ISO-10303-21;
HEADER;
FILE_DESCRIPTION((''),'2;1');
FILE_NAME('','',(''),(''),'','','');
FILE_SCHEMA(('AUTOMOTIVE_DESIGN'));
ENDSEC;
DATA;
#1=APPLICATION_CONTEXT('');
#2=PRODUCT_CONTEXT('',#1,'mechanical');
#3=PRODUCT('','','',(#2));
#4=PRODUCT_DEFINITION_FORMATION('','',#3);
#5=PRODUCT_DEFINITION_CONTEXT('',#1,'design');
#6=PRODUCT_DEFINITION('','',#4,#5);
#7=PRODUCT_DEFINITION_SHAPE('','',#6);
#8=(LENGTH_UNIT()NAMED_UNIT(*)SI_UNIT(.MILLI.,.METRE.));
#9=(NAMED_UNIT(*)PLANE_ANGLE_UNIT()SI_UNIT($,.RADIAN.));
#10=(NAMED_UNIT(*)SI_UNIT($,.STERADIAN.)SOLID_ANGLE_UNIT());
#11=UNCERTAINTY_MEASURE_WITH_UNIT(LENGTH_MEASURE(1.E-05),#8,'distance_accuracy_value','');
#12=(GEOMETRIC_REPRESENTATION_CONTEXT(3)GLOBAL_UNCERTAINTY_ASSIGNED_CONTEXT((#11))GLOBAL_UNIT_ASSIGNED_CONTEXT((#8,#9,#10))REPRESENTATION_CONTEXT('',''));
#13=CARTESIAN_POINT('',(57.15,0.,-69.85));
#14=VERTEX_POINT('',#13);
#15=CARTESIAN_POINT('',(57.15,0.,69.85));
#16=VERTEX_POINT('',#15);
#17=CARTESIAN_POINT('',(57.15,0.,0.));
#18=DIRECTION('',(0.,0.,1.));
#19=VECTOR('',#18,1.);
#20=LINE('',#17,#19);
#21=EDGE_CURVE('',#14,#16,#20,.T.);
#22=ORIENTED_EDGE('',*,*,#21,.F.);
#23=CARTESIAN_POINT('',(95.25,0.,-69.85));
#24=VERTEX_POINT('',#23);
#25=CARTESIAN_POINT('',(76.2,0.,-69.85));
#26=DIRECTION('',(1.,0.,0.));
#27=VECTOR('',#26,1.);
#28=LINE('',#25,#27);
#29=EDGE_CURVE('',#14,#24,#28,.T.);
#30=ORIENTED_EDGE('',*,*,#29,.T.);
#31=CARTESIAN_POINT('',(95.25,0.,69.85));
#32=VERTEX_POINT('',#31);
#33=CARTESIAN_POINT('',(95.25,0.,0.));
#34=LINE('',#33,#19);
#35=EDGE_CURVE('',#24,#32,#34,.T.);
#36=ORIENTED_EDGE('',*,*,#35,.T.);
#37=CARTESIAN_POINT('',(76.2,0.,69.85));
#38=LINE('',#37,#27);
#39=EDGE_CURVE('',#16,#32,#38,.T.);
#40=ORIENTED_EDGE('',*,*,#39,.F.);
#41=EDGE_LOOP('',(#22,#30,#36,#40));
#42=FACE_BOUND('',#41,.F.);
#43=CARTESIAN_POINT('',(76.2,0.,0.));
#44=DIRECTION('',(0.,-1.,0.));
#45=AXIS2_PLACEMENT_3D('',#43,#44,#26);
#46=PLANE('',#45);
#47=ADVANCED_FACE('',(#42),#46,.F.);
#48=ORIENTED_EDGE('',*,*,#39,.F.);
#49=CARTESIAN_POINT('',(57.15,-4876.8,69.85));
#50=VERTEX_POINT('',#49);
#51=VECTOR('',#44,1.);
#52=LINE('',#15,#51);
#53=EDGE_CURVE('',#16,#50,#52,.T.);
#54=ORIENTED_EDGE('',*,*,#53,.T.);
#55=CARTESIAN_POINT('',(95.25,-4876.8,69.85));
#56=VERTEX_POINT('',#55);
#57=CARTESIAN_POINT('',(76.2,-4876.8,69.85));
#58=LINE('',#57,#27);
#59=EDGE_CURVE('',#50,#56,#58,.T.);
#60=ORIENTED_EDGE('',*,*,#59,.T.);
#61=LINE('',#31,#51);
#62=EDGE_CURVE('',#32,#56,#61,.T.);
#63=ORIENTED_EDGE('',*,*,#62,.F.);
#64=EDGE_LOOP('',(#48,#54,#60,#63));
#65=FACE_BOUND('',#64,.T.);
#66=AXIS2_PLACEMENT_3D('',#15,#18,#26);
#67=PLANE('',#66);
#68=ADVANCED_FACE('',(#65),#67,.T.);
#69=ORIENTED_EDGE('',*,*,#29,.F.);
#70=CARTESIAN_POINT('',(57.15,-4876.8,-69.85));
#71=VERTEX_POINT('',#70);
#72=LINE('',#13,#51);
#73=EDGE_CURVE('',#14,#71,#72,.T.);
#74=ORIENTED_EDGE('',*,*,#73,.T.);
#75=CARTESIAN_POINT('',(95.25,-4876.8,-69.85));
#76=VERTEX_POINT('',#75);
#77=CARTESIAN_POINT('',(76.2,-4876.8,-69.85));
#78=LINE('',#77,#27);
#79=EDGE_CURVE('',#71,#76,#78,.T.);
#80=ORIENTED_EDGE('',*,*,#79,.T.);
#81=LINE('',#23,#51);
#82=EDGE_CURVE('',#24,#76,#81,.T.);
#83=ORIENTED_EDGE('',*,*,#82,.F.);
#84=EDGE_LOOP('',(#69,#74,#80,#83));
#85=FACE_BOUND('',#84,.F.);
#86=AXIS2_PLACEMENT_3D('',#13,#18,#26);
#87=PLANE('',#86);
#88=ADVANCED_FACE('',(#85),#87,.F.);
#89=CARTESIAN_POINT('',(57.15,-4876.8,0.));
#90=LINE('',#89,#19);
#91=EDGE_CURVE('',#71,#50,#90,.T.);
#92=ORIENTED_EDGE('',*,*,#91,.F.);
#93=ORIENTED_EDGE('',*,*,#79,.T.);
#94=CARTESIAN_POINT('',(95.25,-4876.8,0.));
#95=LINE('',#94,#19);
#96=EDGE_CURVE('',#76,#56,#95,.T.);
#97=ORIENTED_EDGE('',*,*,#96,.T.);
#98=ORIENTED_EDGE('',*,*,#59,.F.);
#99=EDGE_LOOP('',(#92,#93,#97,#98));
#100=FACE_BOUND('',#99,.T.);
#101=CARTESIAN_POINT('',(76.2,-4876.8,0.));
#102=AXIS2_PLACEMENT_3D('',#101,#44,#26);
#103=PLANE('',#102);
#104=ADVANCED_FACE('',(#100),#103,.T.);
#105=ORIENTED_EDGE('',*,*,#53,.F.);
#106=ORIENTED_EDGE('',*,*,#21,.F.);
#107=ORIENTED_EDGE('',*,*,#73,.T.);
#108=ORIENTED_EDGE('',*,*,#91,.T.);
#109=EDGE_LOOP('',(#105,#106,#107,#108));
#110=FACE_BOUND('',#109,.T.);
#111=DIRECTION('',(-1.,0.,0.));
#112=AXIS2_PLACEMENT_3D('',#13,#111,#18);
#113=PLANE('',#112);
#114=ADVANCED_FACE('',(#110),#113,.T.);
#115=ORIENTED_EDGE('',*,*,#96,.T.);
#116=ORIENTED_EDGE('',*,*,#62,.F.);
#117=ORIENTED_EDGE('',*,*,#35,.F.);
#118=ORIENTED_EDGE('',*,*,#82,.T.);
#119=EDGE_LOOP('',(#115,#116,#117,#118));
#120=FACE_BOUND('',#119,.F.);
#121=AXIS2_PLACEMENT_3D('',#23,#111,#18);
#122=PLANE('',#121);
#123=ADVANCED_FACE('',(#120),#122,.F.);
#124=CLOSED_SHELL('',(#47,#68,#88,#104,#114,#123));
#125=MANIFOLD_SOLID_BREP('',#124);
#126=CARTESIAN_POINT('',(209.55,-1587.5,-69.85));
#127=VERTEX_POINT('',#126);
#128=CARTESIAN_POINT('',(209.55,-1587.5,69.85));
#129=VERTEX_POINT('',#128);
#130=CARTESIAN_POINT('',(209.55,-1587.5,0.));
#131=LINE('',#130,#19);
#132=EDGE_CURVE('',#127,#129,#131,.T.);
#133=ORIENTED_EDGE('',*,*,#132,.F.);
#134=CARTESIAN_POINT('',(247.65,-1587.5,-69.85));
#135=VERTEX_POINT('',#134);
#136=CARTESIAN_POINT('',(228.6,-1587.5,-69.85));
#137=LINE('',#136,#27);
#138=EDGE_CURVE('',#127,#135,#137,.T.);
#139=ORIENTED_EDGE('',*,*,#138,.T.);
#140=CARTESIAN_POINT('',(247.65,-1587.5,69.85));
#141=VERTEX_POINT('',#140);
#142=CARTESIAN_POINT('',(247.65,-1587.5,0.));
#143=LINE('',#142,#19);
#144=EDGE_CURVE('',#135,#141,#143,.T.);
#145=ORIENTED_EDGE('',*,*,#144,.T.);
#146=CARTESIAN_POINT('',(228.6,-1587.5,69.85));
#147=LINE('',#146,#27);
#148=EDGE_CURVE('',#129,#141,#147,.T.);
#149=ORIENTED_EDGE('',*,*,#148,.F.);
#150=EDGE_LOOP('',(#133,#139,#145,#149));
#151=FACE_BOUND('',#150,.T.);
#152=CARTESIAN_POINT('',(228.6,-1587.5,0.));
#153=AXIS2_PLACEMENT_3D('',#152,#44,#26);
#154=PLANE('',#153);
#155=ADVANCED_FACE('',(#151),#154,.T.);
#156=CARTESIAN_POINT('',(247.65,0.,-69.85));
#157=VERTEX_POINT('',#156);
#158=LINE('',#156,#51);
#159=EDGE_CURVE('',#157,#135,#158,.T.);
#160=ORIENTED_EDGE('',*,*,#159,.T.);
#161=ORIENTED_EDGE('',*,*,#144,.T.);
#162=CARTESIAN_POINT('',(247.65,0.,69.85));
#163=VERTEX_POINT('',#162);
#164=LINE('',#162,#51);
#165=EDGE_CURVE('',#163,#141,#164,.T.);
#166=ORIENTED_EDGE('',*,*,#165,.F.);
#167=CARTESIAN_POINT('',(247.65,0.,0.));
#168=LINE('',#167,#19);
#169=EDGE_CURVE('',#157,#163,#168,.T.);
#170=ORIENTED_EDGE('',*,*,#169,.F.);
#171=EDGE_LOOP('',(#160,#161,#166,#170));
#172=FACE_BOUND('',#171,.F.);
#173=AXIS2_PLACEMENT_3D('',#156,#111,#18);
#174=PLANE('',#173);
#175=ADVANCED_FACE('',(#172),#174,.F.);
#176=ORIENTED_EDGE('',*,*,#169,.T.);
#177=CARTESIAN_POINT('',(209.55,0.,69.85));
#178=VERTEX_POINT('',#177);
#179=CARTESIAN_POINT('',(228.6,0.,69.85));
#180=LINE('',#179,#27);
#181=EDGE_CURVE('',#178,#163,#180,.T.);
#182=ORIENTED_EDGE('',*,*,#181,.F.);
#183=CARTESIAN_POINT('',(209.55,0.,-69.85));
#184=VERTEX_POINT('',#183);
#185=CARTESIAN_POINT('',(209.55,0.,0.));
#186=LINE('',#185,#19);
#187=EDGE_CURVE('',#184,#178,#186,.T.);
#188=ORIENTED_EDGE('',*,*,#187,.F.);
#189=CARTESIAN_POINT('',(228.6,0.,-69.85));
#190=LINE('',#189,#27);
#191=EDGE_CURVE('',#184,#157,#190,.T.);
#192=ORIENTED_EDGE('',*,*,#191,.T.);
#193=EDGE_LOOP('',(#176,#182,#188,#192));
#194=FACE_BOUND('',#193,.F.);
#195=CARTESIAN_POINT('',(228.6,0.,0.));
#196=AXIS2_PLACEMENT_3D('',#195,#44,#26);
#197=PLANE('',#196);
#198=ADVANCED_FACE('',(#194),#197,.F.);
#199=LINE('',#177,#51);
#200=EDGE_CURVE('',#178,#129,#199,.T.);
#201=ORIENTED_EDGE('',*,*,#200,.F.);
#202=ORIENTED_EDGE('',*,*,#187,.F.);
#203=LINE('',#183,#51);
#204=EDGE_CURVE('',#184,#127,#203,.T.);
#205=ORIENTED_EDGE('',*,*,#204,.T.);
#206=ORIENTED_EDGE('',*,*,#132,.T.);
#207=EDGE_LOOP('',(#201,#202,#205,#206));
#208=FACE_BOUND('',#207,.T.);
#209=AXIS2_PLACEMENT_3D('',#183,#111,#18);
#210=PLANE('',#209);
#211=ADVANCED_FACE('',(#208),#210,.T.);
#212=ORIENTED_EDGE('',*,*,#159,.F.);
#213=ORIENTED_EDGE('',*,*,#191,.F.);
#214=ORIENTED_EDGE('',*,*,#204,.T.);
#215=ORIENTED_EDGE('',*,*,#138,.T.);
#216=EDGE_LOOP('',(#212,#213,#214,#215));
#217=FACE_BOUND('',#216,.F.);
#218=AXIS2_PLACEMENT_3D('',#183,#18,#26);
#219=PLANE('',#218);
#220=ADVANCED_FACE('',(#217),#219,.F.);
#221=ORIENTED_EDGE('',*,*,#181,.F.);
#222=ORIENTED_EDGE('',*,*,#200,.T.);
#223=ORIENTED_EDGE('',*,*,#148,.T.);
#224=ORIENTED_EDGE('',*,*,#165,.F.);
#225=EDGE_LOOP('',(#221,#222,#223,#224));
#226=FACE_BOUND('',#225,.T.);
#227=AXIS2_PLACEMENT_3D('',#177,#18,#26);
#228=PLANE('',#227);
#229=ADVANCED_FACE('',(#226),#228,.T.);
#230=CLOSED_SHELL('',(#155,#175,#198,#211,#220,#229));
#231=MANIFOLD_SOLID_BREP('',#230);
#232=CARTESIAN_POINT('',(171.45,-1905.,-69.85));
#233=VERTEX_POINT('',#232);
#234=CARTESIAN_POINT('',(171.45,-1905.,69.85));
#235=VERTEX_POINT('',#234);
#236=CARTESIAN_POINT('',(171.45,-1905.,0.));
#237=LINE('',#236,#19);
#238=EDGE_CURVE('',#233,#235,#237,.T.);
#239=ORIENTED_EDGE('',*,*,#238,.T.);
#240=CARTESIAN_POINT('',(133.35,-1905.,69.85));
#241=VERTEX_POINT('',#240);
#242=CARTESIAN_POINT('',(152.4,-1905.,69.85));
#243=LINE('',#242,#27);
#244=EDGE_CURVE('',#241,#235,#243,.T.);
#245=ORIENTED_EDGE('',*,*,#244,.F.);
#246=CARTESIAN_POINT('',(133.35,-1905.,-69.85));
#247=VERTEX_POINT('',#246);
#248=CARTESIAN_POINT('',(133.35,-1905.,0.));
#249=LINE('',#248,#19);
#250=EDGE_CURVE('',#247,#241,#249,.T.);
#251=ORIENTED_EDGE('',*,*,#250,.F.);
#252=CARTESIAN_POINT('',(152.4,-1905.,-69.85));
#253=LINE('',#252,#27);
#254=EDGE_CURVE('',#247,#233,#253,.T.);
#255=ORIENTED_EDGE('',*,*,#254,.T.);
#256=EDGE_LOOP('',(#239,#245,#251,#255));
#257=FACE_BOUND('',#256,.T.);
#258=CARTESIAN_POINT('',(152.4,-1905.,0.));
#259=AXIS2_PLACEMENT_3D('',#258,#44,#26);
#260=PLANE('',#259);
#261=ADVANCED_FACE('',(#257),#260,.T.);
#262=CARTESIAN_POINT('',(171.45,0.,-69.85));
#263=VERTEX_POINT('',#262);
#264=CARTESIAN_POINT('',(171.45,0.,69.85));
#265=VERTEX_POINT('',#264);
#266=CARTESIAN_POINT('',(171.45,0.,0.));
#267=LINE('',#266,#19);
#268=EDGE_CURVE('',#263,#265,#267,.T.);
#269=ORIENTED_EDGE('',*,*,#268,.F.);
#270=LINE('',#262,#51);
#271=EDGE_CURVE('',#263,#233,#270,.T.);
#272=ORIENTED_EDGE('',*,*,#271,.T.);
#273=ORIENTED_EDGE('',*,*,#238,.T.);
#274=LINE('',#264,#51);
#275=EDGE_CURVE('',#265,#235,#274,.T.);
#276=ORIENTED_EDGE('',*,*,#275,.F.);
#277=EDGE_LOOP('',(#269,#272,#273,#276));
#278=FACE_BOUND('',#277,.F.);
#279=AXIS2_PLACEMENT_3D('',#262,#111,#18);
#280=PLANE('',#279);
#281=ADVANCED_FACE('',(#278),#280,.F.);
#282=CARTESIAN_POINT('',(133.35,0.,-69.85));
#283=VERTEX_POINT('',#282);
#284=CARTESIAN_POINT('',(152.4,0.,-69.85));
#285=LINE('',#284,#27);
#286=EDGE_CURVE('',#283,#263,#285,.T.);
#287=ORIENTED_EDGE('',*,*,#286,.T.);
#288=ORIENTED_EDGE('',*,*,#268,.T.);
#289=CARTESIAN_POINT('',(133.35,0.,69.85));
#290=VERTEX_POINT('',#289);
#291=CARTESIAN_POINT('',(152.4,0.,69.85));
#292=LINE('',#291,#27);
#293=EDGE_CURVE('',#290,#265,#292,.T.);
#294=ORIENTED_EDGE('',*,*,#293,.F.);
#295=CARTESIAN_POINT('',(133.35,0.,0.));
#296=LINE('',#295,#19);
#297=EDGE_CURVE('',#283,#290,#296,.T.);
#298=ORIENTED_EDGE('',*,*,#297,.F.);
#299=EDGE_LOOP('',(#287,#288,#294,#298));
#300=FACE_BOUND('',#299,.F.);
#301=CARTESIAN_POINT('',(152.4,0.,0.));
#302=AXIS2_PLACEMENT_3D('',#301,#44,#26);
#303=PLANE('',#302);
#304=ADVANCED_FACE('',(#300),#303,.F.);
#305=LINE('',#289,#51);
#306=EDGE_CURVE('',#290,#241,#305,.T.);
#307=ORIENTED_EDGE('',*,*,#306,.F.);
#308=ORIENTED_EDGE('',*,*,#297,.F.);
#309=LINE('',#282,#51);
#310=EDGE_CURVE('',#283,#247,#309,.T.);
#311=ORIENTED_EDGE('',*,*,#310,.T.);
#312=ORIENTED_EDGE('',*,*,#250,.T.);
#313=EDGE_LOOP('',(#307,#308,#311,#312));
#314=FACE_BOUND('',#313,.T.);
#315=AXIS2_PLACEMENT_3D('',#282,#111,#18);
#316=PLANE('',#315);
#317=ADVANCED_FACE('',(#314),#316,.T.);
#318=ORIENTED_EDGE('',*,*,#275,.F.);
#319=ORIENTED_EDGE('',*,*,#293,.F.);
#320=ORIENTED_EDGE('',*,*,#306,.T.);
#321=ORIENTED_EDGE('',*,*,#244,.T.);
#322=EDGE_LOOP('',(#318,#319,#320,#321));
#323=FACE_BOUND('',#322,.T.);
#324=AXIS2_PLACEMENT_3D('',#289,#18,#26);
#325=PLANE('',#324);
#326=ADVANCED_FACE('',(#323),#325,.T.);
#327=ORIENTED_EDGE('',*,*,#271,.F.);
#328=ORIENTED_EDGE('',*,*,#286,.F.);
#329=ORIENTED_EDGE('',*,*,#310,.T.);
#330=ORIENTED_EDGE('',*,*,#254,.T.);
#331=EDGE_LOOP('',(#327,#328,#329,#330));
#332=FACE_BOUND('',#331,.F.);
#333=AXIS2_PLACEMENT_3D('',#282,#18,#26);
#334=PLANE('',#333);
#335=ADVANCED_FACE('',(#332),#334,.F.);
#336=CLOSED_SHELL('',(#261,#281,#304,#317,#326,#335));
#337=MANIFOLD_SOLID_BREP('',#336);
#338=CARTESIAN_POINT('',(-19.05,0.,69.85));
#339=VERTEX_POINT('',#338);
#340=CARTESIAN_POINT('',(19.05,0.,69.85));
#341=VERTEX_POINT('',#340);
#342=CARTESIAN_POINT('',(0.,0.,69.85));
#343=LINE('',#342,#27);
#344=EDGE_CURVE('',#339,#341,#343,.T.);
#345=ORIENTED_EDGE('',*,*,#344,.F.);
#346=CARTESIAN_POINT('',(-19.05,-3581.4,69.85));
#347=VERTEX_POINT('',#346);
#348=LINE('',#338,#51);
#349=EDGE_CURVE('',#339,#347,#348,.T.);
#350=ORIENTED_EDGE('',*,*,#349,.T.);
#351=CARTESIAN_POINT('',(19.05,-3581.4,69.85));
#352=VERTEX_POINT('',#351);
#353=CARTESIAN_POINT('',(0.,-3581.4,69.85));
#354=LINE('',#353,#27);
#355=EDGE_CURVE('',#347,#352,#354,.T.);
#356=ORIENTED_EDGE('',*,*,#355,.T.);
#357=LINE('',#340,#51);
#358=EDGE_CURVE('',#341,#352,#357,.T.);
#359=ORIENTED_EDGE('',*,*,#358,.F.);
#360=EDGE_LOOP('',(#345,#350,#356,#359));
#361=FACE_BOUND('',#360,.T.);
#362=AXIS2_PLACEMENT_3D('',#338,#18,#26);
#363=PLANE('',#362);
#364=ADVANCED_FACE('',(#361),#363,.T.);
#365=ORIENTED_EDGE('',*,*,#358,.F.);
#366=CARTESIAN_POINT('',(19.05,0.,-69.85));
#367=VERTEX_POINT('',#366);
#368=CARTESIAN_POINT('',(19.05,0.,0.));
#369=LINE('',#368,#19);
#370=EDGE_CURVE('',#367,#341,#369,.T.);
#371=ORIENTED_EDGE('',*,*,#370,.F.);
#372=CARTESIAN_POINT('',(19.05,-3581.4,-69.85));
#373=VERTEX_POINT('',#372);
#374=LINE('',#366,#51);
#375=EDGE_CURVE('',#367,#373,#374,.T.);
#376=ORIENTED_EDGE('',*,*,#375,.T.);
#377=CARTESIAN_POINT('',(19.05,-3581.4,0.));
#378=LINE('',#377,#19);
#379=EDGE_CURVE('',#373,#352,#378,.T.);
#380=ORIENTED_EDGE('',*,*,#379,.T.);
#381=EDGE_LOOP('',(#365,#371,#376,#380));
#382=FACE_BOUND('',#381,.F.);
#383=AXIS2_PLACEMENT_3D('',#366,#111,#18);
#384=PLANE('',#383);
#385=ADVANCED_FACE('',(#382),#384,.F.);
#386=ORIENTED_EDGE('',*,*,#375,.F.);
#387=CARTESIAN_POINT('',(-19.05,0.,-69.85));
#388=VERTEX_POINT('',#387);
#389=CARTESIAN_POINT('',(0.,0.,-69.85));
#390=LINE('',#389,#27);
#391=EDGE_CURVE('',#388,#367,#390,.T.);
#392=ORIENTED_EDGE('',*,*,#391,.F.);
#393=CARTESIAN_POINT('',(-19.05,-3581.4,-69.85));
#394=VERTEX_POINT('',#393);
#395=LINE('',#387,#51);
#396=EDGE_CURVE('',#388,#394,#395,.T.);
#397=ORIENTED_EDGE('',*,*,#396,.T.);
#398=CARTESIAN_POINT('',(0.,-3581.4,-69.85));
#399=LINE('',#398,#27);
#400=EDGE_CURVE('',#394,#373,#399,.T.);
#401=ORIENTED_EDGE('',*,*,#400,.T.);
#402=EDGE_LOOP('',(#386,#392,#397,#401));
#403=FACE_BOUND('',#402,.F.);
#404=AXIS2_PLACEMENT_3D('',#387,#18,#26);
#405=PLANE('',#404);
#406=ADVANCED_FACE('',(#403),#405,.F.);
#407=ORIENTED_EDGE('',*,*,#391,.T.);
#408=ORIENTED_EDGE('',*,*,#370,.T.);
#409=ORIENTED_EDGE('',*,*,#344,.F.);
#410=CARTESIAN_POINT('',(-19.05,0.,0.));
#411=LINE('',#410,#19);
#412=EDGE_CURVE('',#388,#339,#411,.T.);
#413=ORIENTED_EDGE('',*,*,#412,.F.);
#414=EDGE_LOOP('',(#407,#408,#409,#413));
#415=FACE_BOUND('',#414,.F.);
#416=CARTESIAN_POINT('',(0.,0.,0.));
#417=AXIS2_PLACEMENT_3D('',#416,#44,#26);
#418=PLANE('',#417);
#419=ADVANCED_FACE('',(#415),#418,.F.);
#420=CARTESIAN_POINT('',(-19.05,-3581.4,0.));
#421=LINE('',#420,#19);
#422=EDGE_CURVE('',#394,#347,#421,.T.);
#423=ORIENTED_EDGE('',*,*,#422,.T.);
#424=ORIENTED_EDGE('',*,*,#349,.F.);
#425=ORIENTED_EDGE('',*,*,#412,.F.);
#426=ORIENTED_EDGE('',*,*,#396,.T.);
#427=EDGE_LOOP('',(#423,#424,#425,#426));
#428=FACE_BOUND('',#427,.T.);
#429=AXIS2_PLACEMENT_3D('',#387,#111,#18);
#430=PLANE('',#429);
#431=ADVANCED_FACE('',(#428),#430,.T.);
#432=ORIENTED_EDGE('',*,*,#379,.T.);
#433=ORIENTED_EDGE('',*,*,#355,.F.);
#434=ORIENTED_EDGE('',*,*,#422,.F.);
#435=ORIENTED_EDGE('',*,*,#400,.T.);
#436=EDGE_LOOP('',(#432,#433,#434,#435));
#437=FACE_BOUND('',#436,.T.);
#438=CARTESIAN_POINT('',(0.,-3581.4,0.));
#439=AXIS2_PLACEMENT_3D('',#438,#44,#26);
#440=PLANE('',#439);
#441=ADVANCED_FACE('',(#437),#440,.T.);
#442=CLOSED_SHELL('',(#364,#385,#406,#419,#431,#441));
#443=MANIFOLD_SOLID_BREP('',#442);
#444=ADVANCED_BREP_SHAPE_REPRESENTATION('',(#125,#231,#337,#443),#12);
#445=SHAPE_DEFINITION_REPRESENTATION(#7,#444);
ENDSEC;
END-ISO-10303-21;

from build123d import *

# Parameters (mm, degrees)
F0_W     = 38.1
F0_H     = 139.7
F1_DEPTH = 3581.4
F2_DEPTH = 4876.8
F3_DEPTH = 1905
F4_DEPTH = 1587.5


with BuildPart() as f1:
    # F0 (on Front) → F1 (new body)
    with BuildSketch(Plane.XZ):
        Rectangle(F0_W, F0_H)
    extrude(amount=F1_DEPTH)


with BuildPart() as f2:
    # F0 (on Front) → F2 (new body)
    with BuildSketch(Plane.XZ):
        with Locations((76.2, 0)):
            Rectangle(F0_W, F0_H)
    extrude(amount=F2_DEPTH)


with BuildPart() as f3:
    # F0 (on Front) → F3 (new body)
    with BuildSketch(Plane.XZ):
        with Locations((152.4, 0)):
            Rectangle(F0_W, F0_H)
    extrude(amount=F3_DEPTH)


with BuildPart() as f4:
    # F0 (on Front) → F4 (new body)
    with BuildSketch(Plane.XZ):
        with Locations((228.6, 0)):
            Rectangle(F0_W, F0_H)
    extrude(amount=F4_DEPTH)


solid = Compound([f1.part, f2.part, f3.part, f4.part])
